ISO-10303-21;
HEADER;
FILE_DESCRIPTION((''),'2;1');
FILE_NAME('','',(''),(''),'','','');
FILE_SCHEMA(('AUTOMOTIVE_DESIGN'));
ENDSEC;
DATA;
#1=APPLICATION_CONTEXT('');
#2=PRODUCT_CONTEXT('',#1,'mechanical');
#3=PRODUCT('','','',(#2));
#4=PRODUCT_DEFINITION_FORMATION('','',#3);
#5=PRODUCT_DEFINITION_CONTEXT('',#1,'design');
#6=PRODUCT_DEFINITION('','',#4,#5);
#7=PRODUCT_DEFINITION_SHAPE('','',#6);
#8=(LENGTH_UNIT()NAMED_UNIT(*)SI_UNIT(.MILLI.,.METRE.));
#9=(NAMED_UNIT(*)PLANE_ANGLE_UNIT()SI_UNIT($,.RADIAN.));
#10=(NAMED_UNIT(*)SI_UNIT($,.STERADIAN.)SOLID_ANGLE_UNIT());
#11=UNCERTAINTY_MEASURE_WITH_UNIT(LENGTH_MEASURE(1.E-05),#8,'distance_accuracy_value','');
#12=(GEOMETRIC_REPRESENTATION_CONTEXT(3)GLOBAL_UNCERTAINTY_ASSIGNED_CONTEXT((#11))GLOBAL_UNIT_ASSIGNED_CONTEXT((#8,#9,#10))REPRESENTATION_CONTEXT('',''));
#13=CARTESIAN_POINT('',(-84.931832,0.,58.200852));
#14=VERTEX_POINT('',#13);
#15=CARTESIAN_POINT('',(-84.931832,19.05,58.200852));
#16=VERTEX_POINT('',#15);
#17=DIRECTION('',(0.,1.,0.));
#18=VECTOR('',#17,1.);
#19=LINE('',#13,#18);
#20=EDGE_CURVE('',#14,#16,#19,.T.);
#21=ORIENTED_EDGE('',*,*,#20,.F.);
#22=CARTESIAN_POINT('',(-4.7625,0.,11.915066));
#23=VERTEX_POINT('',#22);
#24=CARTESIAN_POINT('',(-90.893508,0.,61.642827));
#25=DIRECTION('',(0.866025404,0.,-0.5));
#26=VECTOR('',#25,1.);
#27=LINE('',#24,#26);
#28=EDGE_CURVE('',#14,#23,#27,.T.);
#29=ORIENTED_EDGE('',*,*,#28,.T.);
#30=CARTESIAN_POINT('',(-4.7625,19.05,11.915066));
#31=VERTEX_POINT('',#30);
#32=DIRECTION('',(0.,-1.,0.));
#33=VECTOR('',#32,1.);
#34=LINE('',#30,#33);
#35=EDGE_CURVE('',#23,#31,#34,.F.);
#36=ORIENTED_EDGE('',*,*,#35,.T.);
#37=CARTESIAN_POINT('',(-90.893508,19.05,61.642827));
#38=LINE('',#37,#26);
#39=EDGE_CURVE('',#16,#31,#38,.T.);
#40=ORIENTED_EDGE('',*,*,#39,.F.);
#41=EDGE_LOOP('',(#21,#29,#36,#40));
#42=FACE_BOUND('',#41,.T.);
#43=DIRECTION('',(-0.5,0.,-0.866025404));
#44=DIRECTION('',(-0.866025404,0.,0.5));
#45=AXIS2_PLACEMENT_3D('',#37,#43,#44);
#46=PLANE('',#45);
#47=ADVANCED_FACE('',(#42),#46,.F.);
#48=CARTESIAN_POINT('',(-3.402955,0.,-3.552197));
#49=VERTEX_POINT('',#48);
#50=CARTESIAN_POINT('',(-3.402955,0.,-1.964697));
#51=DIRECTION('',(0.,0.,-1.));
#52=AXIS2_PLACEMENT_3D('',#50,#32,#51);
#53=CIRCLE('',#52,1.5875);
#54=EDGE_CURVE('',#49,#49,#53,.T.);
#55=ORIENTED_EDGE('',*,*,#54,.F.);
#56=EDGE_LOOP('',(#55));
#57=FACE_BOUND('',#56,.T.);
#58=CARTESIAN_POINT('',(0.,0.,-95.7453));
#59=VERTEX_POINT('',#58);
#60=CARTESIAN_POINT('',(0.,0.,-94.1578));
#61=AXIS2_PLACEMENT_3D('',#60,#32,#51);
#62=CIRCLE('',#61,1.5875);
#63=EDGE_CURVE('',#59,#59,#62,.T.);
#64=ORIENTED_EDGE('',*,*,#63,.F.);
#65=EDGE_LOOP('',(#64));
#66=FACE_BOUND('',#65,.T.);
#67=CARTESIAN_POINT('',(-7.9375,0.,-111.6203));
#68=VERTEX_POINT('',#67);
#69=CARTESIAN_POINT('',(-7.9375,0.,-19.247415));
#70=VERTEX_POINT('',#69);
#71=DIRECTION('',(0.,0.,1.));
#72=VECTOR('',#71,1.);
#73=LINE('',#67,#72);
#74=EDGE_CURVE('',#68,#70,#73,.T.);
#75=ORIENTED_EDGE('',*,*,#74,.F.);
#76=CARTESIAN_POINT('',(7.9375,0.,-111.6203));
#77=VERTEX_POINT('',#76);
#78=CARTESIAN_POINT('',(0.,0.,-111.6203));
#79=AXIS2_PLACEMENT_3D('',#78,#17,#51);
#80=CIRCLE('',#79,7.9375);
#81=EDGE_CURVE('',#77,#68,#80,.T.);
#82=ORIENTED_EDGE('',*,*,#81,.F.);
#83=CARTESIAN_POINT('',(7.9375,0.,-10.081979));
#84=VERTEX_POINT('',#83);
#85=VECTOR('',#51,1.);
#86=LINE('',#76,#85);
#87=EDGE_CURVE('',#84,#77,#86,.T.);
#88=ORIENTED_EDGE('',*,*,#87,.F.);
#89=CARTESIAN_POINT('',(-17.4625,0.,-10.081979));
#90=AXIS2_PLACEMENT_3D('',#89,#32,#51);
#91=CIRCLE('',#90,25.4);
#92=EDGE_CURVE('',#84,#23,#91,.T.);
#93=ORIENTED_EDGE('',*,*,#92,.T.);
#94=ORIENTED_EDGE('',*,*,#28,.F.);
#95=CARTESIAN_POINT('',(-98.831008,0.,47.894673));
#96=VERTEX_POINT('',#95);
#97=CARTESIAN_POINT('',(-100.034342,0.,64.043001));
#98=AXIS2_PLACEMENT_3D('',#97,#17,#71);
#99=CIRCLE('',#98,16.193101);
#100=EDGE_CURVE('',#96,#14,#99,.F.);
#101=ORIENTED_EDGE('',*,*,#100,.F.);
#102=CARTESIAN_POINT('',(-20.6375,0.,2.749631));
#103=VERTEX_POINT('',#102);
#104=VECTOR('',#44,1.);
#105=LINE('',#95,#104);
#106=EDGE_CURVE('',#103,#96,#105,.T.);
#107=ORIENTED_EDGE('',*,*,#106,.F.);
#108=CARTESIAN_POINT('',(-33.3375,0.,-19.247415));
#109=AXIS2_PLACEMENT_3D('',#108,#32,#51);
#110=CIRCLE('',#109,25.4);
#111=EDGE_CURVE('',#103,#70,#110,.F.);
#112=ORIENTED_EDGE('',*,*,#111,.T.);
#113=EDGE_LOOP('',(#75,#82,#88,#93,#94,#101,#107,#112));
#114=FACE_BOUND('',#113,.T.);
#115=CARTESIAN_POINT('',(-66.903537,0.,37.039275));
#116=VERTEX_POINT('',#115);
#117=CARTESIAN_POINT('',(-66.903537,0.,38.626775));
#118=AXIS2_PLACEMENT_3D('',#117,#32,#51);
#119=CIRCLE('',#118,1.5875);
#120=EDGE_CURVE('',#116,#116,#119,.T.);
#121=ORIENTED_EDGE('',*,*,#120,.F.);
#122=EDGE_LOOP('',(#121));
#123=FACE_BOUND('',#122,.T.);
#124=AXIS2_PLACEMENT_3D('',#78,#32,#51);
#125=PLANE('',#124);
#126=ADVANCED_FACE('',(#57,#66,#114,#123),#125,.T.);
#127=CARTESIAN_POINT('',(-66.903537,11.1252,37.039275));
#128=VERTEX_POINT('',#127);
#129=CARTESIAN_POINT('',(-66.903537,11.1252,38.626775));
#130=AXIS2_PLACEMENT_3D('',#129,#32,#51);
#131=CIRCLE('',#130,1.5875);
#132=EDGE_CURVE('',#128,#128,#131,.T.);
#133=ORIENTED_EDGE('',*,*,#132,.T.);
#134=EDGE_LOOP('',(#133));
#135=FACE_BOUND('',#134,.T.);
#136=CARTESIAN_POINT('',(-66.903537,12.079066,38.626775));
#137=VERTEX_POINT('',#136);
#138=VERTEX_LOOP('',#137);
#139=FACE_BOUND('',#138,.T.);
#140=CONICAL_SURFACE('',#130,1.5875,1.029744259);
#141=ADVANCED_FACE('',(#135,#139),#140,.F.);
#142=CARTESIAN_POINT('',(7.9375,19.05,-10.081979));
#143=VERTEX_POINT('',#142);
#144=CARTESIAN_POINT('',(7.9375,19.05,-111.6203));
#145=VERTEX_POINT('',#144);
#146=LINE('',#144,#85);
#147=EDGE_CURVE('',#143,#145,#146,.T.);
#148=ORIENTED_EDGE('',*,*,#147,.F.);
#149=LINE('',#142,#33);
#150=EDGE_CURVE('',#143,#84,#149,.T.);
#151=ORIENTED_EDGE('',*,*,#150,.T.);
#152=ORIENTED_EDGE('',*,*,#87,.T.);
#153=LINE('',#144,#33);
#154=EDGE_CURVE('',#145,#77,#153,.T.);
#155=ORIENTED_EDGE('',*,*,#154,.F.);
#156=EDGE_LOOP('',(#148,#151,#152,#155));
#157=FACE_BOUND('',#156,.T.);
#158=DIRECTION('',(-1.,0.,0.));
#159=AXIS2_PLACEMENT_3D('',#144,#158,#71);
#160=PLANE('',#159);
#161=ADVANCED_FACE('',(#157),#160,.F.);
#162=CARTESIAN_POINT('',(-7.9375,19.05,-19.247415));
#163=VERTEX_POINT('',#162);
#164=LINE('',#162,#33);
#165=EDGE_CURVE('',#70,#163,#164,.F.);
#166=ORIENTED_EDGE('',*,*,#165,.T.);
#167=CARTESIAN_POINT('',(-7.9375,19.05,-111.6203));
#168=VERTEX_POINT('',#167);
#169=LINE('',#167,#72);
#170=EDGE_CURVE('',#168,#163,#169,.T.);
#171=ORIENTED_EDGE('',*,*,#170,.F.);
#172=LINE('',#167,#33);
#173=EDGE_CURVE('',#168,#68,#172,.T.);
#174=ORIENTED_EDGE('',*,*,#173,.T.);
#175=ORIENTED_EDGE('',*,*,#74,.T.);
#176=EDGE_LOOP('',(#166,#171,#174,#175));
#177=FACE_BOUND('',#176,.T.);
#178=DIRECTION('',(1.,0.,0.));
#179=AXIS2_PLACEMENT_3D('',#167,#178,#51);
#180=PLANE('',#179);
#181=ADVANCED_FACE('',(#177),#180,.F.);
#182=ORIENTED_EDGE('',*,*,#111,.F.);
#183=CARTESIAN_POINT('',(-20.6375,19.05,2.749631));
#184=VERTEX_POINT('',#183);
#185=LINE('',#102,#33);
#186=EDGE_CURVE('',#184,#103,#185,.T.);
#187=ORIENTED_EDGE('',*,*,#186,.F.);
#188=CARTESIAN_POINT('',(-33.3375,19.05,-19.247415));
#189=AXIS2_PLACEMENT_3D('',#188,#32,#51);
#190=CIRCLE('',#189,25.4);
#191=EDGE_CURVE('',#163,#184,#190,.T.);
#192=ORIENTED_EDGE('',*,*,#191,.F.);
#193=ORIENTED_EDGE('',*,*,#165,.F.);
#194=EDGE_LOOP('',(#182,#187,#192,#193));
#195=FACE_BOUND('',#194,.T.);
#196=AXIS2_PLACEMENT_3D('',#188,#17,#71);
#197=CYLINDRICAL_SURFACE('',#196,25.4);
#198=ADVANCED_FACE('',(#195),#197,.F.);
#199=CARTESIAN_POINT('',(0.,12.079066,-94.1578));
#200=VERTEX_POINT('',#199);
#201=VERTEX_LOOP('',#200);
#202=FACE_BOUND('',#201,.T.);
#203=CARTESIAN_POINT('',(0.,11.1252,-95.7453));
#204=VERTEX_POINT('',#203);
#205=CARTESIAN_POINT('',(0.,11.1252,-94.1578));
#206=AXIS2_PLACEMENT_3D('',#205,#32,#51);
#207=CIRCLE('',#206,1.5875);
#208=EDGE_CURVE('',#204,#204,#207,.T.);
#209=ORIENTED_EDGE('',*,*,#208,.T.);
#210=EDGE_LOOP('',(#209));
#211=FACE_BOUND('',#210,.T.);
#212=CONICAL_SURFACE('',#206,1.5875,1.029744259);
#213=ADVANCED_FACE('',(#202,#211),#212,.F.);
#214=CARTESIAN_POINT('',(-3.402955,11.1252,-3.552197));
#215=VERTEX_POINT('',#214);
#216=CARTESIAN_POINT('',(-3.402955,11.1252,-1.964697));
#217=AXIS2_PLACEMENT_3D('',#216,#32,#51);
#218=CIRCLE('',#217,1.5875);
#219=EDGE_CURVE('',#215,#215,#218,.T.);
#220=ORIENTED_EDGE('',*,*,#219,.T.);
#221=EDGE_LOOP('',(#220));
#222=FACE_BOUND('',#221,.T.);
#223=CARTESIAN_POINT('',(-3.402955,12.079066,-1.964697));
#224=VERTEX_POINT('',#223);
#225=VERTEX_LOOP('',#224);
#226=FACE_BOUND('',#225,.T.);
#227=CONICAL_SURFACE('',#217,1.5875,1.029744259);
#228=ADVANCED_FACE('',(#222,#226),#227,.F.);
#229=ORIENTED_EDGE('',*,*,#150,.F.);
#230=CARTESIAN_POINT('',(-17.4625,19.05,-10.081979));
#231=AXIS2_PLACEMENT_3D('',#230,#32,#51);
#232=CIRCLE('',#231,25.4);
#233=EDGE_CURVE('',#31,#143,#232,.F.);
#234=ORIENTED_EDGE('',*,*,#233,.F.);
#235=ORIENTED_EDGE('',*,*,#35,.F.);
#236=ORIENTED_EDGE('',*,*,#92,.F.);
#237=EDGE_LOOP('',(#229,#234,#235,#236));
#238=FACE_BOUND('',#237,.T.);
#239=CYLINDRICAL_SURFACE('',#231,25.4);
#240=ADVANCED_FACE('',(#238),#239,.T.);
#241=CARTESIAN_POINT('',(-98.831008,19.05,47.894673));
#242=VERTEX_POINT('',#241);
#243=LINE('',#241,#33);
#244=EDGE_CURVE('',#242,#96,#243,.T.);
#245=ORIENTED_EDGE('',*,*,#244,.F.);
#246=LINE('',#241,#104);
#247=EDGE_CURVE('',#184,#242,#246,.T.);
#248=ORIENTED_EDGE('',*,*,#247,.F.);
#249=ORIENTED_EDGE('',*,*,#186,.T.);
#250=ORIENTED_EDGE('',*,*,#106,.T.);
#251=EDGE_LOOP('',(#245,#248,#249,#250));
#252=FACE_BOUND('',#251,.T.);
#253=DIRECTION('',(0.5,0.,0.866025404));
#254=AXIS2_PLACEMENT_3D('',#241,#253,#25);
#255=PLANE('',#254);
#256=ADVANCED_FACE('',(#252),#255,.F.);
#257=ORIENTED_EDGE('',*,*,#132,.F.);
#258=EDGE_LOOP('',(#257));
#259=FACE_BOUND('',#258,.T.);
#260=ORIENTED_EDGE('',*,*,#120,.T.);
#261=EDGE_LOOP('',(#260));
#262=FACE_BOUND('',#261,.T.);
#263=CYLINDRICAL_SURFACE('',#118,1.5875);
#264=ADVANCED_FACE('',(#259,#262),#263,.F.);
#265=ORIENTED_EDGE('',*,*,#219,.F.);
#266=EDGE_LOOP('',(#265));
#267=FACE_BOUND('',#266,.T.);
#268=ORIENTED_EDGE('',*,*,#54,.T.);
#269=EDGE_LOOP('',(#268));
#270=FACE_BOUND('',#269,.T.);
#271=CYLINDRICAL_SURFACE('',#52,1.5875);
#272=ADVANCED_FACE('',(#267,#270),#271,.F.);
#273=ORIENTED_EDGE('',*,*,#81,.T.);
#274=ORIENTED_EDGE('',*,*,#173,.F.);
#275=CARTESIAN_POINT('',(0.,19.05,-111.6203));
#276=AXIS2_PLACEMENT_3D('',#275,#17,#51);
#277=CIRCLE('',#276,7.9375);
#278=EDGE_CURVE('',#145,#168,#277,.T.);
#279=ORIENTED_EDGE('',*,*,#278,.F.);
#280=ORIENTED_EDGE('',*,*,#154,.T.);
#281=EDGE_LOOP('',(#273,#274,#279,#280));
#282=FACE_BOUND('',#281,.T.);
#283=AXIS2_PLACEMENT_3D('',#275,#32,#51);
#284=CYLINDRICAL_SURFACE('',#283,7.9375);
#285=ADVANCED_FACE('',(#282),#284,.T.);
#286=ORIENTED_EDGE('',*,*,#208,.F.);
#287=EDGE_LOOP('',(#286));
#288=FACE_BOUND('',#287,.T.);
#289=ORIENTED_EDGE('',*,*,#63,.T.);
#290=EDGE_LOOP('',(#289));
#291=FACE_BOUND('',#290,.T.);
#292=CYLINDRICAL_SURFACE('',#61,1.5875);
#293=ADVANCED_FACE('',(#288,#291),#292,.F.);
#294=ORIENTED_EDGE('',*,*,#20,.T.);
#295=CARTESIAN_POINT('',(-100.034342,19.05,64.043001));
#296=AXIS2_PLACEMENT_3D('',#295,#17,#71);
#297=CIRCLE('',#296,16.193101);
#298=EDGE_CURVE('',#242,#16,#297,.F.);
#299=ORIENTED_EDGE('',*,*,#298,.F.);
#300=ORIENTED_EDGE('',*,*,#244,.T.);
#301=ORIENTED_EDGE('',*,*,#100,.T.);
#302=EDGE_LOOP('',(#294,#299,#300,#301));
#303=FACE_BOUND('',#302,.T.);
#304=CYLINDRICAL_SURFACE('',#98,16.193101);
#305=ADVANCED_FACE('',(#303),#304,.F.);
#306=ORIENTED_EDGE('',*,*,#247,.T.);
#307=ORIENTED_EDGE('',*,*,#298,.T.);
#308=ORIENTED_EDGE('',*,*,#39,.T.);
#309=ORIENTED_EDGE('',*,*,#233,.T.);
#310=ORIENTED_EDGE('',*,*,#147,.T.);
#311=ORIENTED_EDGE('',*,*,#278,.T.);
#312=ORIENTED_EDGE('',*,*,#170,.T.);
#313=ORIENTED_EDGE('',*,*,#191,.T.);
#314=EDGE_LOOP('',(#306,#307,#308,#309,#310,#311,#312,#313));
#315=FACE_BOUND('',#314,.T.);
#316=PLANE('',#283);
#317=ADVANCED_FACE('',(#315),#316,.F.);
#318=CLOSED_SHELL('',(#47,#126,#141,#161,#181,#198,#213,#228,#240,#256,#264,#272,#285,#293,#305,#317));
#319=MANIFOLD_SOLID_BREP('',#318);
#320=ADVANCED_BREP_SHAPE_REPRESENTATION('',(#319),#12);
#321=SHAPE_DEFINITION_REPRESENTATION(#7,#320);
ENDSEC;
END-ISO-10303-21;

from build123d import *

# Parameters (mm, degrees)
BOSS_EXTRUDE1_DEPTH              = 19.05
CUT_EXTRUDE1_DEPTH               = 159.823046871
FILLET1_R                        = 25.4
F_1_8_0_125_DIAMETER_HOLE1_D     = 3.175
F_1_8_0_125_DIAMETER_HOLE1_DEPTH = 11.1252
F_1_8_0_125_DIAMETER_HOLE1_TIP   = 0.953866233


with BuildPart() as part:
    # Sketch1 → Boss-Extrude1 (new body)
    with BuildSketch(Plane(origin=(0, 0, 0), x_dir=(1, 0, 0), z_dir=(0, 1, 0))):
        with BuildLine():
            Line((7.9375, 111.6203), (7.9375, -4.582717762))
            Line((7.9375, -4.582717762), (-90.893507667, -61.642826643))
            ThreePointArc((-90.893507667, -61.642826643), (-101.73633431, -58.7375), (-98.831007667, -47.894673357))
            Line((-98.831007667, -47.894673357), (-7.9375, 4.582717762))
            Line((-7.9375, 4.582717762), (-7.9375, 111.6203))
            ThreePointArc((-7.9375, 111.6203), (0, 119.5578), (7.9375, 111.6203))
        make_face()
    extrude(amount=BOSS_EXTRUDE1_DEPTH)

    # Sketch2 → Cut-Extrude1 (cut, through all)
    with BuildSketch(Plane(origin=(0, 19.05, 0), x_dir=(1, 0, 0), z_dir=(0, 1, 0))):
        with BuildLine():
            Line((-90.893507667, -61.642826643), (-84.931832215, -58.200851716))
            ThreePointArc((-84.931832215, -58.200851716), (-90.389422779, -51.035617044), (-98.831007667, -47.894673357))
            ThreePointArc((-98.831007667, -47.894673357), (-101.73633431, -58.7375), (-90.893507667, -61.642826643))
        make_face()
    extrude(amount=-CUT_EXTRUDE1_DEPTH, mode=Mode.SUBTRACT)

    # Fillet1
    fillet1_edges = [part.edges().sort_by_distance(p)[0] for p in [
        (7.9375, 9.525, 4.582717762),
        (-7.9375, 9.525, -4.582717762),
    ]]
    fillet(fillet1_edges, radius=FILLET1_R)

    # 1/8 (0.125) Diameter Hole1
    with Locations(Plane(origin=(0, 0, 0), x_dir=(-1, 0, 0), z_dir=(0, -1, 0))):
        with Locations((0, 94.1578), (66.903536959, -38.626775073), (3.402954744, 1.964696837)):
            Hole(F_1_8_0_125_DIAMETER_HOLE1_D / 2, depth=F_1_8_0_125_DIAMETER_HOLE1_DEPTH)
            with Locations((0, 0, -(F_1_8_0_125_DIAMETER_HOLE1_DEPTH + F_1_8_0_125_DIAMETER_HOLE1_TIP / 2))):  # 118° drill point
                Cone(0, F_1_8_0_125_DIAMETER_HOLE1_D / 2, F_1_8_0_125_DIAMETER_HOLE1_TIP, mode=Mode.SUBTRACT)


solid = part.part
